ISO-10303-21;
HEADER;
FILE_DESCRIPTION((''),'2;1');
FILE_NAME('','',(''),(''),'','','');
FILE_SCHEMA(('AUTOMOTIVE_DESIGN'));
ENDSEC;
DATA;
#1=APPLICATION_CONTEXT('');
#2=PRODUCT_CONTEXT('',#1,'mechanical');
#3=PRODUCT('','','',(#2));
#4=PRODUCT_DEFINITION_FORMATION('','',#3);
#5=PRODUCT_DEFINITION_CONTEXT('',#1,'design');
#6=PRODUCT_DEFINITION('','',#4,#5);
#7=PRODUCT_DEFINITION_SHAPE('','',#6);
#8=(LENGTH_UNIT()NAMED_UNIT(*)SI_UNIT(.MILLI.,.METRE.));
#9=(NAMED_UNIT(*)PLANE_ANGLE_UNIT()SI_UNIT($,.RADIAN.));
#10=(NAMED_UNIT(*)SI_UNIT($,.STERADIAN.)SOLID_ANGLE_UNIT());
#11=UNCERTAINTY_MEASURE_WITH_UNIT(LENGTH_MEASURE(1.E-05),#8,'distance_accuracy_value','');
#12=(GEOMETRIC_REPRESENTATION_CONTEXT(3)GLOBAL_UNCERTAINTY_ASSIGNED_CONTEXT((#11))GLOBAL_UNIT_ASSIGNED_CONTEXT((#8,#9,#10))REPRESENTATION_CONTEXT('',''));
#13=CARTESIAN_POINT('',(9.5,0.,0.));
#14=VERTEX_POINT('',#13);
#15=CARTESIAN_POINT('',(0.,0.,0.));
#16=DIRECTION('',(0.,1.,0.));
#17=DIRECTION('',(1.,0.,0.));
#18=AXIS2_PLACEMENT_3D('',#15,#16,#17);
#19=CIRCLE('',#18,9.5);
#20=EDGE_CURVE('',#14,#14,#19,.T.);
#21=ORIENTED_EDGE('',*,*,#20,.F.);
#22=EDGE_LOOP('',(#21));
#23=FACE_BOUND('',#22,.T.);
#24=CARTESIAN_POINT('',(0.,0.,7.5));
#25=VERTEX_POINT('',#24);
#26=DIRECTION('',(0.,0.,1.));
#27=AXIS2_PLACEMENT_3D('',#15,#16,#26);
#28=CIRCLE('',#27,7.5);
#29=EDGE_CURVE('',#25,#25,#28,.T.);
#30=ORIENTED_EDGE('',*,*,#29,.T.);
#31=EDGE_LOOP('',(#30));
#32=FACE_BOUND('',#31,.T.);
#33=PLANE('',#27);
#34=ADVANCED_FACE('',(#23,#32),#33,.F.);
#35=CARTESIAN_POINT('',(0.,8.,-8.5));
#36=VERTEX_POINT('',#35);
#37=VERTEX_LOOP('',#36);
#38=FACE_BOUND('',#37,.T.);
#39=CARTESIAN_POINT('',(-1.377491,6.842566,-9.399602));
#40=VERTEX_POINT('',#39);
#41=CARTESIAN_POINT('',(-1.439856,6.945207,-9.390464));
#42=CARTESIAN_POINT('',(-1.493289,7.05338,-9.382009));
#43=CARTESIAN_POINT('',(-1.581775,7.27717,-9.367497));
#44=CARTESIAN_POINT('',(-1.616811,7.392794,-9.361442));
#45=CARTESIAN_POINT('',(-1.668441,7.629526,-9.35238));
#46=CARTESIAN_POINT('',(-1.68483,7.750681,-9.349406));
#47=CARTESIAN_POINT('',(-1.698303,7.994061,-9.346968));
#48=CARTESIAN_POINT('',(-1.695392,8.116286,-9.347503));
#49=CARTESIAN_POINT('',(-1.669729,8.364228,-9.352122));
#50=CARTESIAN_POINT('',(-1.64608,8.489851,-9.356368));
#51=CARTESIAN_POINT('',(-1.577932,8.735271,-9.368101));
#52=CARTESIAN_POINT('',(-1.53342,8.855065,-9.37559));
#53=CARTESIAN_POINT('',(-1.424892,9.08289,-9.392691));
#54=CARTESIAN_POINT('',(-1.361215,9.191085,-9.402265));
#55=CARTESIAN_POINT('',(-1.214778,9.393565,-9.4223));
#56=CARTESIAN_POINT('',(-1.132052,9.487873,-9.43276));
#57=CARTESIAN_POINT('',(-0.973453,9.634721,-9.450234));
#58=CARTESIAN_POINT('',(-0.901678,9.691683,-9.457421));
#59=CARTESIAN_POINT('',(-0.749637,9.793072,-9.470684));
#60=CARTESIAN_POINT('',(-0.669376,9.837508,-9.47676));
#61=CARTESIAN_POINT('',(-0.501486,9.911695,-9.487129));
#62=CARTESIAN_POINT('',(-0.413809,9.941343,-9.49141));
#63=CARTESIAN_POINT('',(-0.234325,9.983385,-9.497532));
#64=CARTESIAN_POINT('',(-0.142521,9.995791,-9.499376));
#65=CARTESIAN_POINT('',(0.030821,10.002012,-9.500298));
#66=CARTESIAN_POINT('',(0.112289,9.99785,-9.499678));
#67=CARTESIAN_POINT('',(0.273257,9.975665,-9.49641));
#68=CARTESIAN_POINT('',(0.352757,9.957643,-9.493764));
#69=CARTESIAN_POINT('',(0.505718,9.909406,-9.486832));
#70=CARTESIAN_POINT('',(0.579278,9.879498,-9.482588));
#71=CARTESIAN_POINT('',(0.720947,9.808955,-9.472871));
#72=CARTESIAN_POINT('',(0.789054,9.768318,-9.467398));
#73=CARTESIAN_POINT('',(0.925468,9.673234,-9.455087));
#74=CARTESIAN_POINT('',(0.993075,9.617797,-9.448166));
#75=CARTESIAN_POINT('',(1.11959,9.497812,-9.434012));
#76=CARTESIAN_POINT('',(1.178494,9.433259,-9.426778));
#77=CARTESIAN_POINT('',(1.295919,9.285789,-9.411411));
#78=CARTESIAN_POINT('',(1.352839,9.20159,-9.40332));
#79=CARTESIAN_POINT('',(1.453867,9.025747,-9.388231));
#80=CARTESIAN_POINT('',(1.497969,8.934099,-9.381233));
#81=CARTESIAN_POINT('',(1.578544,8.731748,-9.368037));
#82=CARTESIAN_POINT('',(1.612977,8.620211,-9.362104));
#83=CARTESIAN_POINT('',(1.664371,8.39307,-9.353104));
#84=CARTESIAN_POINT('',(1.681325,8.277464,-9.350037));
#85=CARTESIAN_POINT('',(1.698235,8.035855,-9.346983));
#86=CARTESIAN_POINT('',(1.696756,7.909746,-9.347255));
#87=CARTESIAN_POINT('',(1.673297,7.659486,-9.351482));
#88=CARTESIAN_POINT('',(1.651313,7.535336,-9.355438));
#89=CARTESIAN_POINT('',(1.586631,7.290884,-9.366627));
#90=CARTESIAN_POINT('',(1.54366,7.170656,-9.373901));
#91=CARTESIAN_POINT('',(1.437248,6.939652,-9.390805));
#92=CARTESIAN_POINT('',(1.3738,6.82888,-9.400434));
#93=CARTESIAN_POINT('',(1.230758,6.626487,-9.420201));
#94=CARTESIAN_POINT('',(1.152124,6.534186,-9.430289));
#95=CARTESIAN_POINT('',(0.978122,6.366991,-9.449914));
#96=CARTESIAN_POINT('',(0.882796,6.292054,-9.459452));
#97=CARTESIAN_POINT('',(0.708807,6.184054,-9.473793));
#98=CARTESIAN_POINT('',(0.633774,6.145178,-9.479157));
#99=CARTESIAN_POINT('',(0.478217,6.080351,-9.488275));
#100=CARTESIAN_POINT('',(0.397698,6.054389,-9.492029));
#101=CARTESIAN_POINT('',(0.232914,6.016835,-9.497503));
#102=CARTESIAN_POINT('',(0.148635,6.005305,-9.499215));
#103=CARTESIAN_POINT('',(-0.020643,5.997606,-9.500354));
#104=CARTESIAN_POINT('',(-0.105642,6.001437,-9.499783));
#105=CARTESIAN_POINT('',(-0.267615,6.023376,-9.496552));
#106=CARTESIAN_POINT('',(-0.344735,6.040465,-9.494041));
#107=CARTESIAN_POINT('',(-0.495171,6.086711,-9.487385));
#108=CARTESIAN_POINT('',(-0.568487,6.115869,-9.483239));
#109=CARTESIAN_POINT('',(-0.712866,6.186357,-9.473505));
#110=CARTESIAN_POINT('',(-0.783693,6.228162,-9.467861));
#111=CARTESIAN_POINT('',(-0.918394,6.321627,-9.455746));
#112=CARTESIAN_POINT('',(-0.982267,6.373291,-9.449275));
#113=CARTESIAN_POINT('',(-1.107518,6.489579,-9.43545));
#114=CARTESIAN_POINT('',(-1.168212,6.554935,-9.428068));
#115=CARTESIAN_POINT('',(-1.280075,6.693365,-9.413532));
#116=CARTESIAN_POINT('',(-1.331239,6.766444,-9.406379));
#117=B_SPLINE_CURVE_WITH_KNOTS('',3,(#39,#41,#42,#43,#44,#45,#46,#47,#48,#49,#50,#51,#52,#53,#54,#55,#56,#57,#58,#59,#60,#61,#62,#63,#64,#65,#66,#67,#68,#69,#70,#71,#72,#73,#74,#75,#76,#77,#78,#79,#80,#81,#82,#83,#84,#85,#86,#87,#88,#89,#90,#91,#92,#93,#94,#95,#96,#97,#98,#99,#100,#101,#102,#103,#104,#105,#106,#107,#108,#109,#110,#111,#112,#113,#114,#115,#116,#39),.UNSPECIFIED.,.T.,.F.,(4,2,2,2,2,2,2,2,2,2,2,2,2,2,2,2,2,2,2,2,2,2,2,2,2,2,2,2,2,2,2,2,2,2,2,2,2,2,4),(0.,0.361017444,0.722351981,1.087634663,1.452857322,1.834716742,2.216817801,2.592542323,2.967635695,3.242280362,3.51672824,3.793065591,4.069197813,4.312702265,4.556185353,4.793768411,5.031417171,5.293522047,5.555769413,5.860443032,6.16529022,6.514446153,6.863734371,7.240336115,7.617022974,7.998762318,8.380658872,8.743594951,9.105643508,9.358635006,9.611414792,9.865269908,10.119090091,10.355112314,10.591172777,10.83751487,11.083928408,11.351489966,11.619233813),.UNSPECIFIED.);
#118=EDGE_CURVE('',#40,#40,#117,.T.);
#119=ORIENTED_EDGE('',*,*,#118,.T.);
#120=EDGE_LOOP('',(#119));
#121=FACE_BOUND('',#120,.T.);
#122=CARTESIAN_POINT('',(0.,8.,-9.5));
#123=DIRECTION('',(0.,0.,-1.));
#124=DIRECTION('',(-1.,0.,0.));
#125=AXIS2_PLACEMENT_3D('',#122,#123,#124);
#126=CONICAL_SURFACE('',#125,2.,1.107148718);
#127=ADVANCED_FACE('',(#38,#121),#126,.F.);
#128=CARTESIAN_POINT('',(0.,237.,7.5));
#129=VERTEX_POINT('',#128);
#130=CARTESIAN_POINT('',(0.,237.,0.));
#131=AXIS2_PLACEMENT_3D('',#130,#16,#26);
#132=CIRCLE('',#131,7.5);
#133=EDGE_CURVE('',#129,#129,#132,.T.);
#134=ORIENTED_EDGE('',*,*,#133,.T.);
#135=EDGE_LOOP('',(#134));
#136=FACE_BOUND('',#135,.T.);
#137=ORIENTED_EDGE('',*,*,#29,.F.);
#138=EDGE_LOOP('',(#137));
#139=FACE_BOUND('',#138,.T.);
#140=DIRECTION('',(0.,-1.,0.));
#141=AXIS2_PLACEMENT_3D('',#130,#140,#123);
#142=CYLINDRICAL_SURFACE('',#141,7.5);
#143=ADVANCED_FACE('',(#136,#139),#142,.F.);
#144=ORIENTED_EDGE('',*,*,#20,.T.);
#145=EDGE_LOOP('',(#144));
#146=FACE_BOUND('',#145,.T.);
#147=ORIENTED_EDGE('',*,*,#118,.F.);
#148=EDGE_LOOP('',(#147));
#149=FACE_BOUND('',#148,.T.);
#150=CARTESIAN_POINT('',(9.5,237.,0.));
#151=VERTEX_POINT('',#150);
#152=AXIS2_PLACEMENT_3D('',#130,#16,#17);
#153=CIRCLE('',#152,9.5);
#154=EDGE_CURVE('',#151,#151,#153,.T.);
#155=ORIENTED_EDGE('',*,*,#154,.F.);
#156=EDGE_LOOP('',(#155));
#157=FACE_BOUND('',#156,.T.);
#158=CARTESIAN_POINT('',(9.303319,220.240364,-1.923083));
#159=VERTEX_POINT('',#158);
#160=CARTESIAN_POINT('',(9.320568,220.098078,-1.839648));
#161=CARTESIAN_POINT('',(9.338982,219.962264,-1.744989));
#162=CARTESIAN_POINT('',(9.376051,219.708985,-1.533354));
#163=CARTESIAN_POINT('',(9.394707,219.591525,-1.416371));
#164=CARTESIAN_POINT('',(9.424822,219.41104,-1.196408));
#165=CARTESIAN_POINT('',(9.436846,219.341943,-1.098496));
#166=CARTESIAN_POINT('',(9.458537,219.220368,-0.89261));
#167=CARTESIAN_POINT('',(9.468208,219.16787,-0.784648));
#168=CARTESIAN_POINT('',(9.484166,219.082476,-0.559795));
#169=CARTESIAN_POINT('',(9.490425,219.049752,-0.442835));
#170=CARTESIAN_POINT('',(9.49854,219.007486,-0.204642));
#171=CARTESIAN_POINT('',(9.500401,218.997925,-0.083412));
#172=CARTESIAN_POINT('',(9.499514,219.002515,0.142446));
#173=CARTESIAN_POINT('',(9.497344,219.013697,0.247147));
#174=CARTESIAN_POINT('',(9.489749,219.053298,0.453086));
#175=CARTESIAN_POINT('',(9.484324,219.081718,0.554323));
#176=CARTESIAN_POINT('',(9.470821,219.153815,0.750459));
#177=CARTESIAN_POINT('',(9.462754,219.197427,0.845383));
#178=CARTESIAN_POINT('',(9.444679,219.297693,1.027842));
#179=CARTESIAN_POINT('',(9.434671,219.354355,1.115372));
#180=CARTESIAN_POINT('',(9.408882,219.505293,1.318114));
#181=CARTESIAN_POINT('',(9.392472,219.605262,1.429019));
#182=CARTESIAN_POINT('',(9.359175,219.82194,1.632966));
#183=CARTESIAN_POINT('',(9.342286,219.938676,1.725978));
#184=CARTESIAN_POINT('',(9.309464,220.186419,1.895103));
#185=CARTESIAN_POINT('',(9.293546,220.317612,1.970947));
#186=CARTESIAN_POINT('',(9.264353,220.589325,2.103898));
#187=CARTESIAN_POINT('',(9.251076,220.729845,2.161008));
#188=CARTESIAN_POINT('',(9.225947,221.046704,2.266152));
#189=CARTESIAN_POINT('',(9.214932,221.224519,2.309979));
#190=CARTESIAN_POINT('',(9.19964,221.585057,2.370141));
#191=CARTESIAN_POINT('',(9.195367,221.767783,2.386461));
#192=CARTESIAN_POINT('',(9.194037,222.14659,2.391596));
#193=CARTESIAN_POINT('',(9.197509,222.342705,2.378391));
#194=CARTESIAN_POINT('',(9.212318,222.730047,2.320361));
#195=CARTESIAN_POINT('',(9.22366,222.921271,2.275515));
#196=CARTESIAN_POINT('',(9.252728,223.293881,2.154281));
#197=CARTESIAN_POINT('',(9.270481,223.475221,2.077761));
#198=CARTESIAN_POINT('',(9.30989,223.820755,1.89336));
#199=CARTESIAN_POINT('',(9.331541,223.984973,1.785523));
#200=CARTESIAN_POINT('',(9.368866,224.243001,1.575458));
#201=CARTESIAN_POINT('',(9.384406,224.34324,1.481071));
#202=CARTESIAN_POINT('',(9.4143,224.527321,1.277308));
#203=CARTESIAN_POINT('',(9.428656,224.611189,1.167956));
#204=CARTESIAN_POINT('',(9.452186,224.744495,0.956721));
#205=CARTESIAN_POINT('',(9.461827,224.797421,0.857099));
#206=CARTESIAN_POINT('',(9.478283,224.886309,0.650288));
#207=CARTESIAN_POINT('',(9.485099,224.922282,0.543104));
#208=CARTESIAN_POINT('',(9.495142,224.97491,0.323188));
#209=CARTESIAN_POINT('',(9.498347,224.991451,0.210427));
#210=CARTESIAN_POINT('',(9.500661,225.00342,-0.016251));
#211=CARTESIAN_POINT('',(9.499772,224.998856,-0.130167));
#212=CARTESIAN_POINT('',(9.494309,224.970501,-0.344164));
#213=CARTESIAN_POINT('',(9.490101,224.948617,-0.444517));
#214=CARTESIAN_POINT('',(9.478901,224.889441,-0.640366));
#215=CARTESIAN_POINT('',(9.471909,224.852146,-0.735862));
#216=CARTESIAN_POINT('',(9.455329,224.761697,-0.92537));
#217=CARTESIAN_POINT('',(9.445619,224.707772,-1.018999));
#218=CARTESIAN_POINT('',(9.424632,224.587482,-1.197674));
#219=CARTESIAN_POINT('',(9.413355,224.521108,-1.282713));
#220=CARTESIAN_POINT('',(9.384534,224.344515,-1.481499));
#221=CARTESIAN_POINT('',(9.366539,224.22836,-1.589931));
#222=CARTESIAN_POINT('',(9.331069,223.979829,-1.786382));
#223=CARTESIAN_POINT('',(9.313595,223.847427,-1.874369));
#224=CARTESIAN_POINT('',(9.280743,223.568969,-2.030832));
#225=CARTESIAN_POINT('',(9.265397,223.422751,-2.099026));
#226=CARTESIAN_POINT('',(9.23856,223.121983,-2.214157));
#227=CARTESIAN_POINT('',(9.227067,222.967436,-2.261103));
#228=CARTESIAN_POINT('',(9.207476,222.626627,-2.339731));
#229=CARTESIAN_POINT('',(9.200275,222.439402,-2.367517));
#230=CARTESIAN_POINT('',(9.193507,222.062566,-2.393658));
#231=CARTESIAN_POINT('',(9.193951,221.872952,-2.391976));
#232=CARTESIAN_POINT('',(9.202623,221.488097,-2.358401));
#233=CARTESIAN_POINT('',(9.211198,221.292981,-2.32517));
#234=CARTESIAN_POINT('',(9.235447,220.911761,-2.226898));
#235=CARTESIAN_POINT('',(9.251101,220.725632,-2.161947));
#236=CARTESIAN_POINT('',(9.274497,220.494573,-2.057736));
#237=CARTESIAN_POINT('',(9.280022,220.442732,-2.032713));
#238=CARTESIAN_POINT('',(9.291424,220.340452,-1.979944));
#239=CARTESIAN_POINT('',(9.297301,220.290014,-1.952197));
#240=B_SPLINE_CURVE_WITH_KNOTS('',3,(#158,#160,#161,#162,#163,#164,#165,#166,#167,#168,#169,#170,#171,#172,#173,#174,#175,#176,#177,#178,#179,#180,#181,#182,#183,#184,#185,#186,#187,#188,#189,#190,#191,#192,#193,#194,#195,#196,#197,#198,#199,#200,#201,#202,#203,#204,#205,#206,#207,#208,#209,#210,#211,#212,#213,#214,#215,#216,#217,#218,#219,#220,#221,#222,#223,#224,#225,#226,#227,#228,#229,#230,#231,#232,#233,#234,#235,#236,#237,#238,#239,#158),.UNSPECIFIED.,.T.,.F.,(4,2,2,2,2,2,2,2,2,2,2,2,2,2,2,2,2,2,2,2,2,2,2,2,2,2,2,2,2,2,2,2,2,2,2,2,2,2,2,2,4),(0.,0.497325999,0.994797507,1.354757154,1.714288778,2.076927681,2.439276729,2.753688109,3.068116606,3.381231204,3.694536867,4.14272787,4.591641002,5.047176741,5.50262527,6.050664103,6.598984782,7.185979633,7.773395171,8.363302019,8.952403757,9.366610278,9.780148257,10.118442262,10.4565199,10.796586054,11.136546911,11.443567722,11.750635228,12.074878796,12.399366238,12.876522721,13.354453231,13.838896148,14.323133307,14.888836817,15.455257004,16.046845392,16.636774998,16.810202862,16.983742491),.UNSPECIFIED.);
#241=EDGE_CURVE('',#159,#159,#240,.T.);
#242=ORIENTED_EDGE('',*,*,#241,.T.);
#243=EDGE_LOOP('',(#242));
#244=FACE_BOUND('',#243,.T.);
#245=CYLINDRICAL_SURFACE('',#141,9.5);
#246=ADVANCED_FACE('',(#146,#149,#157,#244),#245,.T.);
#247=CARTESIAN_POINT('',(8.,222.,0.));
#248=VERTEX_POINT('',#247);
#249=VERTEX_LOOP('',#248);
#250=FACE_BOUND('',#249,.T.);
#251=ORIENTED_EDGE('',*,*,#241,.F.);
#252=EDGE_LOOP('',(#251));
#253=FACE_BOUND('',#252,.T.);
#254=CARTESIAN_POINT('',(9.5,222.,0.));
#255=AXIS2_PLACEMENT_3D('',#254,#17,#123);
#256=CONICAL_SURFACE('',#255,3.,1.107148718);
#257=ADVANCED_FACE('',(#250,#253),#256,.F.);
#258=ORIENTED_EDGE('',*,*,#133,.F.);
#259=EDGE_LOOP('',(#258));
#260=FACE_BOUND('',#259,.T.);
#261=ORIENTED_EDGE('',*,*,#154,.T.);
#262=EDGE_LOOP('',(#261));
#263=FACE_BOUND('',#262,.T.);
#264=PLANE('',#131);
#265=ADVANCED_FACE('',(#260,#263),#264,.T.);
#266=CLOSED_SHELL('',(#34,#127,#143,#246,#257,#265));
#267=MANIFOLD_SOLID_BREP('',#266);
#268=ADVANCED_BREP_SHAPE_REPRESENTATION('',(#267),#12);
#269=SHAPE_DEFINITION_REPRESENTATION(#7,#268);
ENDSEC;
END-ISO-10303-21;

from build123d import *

# Parameters (mm, degrees)
SKETCH1_R           = 9.5
SKETCH1_R_2         = 7.5
EXTRUDE_THIN1_DEPTH = 237


with BuildPart() as part:
    # Sketch1 → Extrude-Thin1 (new body)
    with BuildSketch(Plane(origin=(0, 0, 0), x_dir=(1, 0, 0), z_dir=(0, 1, 0))):
        Circle(SKETCH1_R)
        Circle(SKETCH1_R_2, mode=Mode.SUBTRACT)
    extrude(amount=EXTRUDE_THIN1_DEPTH)

    # Sketch6 → Cut-Revolve1 (revolve, cut)
    with BuildSketch(Plane(origin=(0, 0, 0), x_dir=(0, 0, -1), z_dir=(1, 0, 0))):
        Polygon((8.5, 8), (9.5, 8), (9.5, 10), align=None)
    revolve(axis=Axis((0, 8, -0.902354342), (0, 0, -1)), mode=Mode.SUBTRACT)

    # Sketch10 → Cut-Revolve3 (revolve, cut)
    with BuildSketch(Plane.XY):
        Polygon((9.5, 222), (9.5, 225), (8, 222), align=None)
    revolve(axis=Axis((18.348289419, 222, 0), (-1, 0, 0)), mode=Mode.SUBTRACT)


solid = part.part
